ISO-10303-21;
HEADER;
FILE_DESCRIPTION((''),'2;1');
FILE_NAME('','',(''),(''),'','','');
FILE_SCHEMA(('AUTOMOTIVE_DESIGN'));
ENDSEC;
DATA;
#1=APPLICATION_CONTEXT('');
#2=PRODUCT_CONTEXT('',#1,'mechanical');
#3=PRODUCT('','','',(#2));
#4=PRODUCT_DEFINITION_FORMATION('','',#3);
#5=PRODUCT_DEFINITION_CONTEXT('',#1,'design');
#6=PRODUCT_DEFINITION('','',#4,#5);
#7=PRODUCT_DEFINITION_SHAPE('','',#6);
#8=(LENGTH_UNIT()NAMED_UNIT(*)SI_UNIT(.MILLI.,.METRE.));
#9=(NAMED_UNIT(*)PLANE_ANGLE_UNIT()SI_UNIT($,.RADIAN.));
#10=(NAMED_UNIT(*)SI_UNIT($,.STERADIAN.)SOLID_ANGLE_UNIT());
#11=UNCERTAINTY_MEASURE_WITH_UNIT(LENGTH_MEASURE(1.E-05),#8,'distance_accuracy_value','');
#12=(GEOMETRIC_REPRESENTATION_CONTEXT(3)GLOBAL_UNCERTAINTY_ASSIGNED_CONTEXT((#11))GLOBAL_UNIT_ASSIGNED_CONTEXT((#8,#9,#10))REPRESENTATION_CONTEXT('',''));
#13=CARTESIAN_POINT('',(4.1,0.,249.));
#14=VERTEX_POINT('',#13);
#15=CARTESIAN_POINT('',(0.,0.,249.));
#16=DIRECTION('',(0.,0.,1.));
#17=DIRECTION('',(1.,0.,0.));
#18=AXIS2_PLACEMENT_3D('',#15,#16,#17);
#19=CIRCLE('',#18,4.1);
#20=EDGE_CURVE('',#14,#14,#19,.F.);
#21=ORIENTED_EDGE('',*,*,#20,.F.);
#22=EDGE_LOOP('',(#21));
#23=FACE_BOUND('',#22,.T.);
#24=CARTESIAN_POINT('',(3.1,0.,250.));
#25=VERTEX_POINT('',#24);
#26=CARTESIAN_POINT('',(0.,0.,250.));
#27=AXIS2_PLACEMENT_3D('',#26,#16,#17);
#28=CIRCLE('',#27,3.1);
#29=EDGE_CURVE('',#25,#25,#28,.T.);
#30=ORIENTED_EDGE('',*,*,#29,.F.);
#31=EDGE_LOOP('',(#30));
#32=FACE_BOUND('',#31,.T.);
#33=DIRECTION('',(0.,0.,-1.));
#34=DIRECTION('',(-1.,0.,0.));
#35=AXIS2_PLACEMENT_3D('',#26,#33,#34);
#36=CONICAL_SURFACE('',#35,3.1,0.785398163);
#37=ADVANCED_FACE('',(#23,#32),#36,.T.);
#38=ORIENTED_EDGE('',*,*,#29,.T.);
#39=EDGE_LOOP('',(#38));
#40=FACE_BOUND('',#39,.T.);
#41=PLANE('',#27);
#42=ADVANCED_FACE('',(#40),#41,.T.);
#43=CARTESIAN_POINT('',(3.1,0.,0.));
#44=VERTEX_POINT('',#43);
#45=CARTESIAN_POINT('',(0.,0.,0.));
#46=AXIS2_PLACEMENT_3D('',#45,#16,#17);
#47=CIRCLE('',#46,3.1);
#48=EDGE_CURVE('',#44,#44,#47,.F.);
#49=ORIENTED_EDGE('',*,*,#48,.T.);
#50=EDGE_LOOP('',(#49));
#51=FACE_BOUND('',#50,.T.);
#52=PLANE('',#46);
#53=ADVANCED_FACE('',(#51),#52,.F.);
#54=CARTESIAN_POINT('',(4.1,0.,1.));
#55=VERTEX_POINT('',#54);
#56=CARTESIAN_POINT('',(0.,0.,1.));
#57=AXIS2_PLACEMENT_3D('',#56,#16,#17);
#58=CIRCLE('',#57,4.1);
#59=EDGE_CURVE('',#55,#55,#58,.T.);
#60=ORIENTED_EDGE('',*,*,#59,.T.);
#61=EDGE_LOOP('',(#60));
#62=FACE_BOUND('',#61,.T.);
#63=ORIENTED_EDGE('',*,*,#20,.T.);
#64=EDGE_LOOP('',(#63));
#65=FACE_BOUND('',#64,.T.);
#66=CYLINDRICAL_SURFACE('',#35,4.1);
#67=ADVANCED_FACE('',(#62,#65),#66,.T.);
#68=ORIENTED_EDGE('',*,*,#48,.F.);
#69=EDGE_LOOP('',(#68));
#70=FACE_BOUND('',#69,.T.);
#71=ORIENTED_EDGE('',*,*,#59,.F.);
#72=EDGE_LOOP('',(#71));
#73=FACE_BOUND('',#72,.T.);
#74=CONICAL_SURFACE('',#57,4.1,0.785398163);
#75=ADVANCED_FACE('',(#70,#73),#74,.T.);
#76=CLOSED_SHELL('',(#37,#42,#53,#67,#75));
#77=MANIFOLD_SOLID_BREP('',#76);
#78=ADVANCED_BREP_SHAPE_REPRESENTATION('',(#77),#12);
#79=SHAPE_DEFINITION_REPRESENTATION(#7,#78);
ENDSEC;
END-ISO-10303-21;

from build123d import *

# Parameters (mm, degrees)
SKETCH1_R           = 4.1
BOSS_EXTRUDE1_DEPTH = 250
CHAMFER1_SIZE       = 1


with BuildPart() as part:
    # Sketch1 → Boss-Extrude1 (new body)
    with BuildSketch(Plane.XY):
        Circle(SKETCH1_R)
    extrude(amount=BOSS_EXTRUDE1_DEPTH)

    # Chamfer1
    chamfer1_edges = [part.edges().sort_by_distance(p)[0] for p in [
        (-4.1, 0, 0),
        (-4.1, 0, 250),
    ]]
    chamfer(chamfer1_edges, length=CHAMFER1_SIZE)


solid = part.part
